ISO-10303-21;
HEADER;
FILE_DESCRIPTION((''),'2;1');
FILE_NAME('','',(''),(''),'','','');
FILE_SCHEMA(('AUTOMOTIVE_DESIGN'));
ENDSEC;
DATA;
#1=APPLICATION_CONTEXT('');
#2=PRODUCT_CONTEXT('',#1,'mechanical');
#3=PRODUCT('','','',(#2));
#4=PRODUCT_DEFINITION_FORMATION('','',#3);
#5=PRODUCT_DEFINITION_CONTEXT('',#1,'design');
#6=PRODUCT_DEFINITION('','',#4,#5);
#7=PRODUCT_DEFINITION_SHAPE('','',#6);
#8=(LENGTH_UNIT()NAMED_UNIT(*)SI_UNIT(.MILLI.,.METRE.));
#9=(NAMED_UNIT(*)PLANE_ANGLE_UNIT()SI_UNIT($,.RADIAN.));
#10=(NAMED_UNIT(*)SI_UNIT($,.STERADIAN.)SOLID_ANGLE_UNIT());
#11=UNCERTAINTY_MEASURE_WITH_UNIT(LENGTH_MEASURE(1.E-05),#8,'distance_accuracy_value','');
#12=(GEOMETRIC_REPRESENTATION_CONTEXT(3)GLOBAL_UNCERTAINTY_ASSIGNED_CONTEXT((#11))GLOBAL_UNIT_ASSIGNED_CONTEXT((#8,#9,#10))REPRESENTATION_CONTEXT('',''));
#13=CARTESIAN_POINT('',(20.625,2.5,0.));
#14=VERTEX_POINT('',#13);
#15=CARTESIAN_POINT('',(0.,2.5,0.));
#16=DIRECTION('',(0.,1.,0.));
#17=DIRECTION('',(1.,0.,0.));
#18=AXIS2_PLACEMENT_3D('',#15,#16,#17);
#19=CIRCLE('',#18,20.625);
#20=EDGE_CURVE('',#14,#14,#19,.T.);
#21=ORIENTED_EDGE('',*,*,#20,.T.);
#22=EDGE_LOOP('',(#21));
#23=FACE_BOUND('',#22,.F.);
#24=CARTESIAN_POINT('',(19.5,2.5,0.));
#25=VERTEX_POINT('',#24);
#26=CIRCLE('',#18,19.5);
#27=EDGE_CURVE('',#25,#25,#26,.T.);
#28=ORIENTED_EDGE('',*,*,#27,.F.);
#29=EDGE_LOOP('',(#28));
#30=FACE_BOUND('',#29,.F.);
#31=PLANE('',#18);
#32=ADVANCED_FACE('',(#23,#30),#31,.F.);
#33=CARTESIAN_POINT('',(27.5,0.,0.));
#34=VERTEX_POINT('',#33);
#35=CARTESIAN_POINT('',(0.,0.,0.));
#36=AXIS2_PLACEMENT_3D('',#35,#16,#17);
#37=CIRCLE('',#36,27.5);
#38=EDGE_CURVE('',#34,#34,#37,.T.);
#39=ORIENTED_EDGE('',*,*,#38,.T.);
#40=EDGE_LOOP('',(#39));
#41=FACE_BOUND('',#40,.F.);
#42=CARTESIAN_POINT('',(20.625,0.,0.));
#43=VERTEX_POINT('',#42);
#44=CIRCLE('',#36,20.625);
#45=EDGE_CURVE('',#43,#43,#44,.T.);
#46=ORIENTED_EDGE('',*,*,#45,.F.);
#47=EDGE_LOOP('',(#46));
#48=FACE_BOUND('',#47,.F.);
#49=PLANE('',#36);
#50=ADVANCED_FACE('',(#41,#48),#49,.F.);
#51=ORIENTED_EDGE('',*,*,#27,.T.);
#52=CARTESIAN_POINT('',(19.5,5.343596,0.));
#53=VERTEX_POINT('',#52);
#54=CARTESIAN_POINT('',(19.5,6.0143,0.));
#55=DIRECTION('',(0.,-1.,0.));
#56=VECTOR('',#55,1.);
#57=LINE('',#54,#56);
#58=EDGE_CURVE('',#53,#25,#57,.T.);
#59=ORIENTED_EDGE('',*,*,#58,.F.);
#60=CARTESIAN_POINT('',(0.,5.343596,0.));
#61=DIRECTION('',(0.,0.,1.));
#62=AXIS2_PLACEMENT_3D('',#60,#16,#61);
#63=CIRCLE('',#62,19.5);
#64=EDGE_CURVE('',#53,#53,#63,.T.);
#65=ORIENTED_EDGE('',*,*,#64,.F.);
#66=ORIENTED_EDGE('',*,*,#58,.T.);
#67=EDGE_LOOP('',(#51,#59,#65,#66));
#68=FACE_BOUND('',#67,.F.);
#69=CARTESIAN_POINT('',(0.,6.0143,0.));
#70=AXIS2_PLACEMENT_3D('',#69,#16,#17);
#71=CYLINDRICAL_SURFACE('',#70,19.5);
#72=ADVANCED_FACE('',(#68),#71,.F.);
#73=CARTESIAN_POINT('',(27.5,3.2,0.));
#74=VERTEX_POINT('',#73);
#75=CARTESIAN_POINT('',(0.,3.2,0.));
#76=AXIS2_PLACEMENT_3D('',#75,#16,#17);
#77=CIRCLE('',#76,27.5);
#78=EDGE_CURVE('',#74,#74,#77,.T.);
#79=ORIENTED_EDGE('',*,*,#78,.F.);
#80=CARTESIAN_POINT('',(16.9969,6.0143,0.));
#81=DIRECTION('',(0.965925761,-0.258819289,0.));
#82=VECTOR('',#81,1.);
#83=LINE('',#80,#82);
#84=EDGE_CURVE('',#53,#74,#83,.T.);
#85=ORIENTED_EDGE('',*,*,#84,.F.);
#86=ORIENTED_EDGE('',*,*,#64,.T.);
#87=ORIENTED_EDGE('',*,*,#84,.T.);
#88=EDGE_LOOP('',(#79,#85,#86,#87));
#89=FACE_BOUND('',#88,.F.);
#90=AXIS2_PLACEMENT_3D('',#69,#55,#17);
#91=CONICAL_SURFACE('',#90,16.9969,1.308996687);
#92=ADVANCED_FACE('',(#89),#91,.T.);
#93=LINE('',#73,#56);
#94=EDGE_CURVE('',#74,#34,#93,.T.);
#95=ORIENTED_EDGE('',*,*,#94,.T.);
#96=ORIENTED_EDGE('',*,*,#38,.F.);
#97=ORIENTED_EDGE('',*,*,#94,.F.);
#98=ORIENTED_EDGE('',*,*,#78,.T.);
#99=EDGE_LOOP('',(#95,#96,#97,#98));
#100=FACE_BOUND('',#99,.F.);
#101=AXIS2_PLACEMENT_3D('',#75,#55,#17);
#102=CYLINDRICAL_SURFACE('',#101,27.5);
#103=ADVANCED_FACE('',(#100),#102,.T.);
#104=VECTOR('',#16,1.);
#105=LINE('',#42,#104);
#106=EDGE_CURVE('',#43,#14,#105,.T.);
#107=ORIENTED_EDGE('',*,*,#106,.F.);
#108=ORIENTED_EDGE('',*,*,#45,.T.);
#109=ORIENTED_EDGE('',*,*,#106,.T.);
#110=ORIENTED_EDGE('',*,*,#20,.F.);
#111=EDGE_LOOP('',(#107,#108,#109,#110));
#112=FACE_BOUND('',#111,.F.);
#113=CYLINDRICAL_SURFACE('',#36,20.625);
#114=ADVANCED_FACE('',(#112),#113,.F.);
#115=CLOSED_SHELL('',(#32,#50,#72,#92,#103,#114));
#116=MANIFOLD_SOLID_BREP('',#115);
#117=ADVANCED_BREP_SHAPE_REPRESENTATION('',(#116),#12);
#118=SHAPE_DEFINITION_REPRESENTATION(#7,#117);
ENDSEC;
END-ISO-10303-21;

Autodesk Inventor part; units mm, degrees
ref_plane "YZ Plane" through (0, 0, 0) normal (1, 0, 0) x (0, 1, 0)
ref_plane "XZ Plane" through (0, 0, 0) normal (0, 1, 0) x (-1, 0, 0)
ref_plane "XY Plane" through (0, 0, 0) normal (0, 0, 1) x (1, 0, 0)
sketch "Sketch1" plane through (0, 0, 0) normal (0, 0, 1) x (1, 0, 0)
  line L0 (0, 2.5) -> (0, 6.0143)
  line L1 (0, 6.0143) -> (16.9969, 6.0143)
  line L2 (16.9969, 6.0143) -> (27.5, 3.2)
  line L3 (27.5, 3.2) -> (27.5, 0)
  line L4 (27.5, 0) -> (20.625, 0)
  line L5 (20.625, 0) -> (20.625, 2.5)
  line L6 (20.625, 2.5) -> (0, 2.5)
  line L7 (0, 0) -> (0, 22.9167)
  dimension "d0" = 55
  dimension "d1" = 3.2
  dimension "d2" = 2.5
  dimension "d3" = 41.25
  dimension "d4" = 15
  dimension "d5" = 0
revolve "Revolution1" add sketch "Sketch1" angle 360 about axis through (0, 0, 0) along (0, 1, 0)
sketch "Sketch2" plane through (0, 6.0143, 0) normal (0, 1, 0) x (1, 0, 0)
  circle A0 centre (0, 0) radius 19.5
  dimension "d7" = 39
extrude "Extrusion1" cut sketch "Sketch2" against normal through all
properties part number "KF40_welding_part" material "Stainless Steel, 440C"
